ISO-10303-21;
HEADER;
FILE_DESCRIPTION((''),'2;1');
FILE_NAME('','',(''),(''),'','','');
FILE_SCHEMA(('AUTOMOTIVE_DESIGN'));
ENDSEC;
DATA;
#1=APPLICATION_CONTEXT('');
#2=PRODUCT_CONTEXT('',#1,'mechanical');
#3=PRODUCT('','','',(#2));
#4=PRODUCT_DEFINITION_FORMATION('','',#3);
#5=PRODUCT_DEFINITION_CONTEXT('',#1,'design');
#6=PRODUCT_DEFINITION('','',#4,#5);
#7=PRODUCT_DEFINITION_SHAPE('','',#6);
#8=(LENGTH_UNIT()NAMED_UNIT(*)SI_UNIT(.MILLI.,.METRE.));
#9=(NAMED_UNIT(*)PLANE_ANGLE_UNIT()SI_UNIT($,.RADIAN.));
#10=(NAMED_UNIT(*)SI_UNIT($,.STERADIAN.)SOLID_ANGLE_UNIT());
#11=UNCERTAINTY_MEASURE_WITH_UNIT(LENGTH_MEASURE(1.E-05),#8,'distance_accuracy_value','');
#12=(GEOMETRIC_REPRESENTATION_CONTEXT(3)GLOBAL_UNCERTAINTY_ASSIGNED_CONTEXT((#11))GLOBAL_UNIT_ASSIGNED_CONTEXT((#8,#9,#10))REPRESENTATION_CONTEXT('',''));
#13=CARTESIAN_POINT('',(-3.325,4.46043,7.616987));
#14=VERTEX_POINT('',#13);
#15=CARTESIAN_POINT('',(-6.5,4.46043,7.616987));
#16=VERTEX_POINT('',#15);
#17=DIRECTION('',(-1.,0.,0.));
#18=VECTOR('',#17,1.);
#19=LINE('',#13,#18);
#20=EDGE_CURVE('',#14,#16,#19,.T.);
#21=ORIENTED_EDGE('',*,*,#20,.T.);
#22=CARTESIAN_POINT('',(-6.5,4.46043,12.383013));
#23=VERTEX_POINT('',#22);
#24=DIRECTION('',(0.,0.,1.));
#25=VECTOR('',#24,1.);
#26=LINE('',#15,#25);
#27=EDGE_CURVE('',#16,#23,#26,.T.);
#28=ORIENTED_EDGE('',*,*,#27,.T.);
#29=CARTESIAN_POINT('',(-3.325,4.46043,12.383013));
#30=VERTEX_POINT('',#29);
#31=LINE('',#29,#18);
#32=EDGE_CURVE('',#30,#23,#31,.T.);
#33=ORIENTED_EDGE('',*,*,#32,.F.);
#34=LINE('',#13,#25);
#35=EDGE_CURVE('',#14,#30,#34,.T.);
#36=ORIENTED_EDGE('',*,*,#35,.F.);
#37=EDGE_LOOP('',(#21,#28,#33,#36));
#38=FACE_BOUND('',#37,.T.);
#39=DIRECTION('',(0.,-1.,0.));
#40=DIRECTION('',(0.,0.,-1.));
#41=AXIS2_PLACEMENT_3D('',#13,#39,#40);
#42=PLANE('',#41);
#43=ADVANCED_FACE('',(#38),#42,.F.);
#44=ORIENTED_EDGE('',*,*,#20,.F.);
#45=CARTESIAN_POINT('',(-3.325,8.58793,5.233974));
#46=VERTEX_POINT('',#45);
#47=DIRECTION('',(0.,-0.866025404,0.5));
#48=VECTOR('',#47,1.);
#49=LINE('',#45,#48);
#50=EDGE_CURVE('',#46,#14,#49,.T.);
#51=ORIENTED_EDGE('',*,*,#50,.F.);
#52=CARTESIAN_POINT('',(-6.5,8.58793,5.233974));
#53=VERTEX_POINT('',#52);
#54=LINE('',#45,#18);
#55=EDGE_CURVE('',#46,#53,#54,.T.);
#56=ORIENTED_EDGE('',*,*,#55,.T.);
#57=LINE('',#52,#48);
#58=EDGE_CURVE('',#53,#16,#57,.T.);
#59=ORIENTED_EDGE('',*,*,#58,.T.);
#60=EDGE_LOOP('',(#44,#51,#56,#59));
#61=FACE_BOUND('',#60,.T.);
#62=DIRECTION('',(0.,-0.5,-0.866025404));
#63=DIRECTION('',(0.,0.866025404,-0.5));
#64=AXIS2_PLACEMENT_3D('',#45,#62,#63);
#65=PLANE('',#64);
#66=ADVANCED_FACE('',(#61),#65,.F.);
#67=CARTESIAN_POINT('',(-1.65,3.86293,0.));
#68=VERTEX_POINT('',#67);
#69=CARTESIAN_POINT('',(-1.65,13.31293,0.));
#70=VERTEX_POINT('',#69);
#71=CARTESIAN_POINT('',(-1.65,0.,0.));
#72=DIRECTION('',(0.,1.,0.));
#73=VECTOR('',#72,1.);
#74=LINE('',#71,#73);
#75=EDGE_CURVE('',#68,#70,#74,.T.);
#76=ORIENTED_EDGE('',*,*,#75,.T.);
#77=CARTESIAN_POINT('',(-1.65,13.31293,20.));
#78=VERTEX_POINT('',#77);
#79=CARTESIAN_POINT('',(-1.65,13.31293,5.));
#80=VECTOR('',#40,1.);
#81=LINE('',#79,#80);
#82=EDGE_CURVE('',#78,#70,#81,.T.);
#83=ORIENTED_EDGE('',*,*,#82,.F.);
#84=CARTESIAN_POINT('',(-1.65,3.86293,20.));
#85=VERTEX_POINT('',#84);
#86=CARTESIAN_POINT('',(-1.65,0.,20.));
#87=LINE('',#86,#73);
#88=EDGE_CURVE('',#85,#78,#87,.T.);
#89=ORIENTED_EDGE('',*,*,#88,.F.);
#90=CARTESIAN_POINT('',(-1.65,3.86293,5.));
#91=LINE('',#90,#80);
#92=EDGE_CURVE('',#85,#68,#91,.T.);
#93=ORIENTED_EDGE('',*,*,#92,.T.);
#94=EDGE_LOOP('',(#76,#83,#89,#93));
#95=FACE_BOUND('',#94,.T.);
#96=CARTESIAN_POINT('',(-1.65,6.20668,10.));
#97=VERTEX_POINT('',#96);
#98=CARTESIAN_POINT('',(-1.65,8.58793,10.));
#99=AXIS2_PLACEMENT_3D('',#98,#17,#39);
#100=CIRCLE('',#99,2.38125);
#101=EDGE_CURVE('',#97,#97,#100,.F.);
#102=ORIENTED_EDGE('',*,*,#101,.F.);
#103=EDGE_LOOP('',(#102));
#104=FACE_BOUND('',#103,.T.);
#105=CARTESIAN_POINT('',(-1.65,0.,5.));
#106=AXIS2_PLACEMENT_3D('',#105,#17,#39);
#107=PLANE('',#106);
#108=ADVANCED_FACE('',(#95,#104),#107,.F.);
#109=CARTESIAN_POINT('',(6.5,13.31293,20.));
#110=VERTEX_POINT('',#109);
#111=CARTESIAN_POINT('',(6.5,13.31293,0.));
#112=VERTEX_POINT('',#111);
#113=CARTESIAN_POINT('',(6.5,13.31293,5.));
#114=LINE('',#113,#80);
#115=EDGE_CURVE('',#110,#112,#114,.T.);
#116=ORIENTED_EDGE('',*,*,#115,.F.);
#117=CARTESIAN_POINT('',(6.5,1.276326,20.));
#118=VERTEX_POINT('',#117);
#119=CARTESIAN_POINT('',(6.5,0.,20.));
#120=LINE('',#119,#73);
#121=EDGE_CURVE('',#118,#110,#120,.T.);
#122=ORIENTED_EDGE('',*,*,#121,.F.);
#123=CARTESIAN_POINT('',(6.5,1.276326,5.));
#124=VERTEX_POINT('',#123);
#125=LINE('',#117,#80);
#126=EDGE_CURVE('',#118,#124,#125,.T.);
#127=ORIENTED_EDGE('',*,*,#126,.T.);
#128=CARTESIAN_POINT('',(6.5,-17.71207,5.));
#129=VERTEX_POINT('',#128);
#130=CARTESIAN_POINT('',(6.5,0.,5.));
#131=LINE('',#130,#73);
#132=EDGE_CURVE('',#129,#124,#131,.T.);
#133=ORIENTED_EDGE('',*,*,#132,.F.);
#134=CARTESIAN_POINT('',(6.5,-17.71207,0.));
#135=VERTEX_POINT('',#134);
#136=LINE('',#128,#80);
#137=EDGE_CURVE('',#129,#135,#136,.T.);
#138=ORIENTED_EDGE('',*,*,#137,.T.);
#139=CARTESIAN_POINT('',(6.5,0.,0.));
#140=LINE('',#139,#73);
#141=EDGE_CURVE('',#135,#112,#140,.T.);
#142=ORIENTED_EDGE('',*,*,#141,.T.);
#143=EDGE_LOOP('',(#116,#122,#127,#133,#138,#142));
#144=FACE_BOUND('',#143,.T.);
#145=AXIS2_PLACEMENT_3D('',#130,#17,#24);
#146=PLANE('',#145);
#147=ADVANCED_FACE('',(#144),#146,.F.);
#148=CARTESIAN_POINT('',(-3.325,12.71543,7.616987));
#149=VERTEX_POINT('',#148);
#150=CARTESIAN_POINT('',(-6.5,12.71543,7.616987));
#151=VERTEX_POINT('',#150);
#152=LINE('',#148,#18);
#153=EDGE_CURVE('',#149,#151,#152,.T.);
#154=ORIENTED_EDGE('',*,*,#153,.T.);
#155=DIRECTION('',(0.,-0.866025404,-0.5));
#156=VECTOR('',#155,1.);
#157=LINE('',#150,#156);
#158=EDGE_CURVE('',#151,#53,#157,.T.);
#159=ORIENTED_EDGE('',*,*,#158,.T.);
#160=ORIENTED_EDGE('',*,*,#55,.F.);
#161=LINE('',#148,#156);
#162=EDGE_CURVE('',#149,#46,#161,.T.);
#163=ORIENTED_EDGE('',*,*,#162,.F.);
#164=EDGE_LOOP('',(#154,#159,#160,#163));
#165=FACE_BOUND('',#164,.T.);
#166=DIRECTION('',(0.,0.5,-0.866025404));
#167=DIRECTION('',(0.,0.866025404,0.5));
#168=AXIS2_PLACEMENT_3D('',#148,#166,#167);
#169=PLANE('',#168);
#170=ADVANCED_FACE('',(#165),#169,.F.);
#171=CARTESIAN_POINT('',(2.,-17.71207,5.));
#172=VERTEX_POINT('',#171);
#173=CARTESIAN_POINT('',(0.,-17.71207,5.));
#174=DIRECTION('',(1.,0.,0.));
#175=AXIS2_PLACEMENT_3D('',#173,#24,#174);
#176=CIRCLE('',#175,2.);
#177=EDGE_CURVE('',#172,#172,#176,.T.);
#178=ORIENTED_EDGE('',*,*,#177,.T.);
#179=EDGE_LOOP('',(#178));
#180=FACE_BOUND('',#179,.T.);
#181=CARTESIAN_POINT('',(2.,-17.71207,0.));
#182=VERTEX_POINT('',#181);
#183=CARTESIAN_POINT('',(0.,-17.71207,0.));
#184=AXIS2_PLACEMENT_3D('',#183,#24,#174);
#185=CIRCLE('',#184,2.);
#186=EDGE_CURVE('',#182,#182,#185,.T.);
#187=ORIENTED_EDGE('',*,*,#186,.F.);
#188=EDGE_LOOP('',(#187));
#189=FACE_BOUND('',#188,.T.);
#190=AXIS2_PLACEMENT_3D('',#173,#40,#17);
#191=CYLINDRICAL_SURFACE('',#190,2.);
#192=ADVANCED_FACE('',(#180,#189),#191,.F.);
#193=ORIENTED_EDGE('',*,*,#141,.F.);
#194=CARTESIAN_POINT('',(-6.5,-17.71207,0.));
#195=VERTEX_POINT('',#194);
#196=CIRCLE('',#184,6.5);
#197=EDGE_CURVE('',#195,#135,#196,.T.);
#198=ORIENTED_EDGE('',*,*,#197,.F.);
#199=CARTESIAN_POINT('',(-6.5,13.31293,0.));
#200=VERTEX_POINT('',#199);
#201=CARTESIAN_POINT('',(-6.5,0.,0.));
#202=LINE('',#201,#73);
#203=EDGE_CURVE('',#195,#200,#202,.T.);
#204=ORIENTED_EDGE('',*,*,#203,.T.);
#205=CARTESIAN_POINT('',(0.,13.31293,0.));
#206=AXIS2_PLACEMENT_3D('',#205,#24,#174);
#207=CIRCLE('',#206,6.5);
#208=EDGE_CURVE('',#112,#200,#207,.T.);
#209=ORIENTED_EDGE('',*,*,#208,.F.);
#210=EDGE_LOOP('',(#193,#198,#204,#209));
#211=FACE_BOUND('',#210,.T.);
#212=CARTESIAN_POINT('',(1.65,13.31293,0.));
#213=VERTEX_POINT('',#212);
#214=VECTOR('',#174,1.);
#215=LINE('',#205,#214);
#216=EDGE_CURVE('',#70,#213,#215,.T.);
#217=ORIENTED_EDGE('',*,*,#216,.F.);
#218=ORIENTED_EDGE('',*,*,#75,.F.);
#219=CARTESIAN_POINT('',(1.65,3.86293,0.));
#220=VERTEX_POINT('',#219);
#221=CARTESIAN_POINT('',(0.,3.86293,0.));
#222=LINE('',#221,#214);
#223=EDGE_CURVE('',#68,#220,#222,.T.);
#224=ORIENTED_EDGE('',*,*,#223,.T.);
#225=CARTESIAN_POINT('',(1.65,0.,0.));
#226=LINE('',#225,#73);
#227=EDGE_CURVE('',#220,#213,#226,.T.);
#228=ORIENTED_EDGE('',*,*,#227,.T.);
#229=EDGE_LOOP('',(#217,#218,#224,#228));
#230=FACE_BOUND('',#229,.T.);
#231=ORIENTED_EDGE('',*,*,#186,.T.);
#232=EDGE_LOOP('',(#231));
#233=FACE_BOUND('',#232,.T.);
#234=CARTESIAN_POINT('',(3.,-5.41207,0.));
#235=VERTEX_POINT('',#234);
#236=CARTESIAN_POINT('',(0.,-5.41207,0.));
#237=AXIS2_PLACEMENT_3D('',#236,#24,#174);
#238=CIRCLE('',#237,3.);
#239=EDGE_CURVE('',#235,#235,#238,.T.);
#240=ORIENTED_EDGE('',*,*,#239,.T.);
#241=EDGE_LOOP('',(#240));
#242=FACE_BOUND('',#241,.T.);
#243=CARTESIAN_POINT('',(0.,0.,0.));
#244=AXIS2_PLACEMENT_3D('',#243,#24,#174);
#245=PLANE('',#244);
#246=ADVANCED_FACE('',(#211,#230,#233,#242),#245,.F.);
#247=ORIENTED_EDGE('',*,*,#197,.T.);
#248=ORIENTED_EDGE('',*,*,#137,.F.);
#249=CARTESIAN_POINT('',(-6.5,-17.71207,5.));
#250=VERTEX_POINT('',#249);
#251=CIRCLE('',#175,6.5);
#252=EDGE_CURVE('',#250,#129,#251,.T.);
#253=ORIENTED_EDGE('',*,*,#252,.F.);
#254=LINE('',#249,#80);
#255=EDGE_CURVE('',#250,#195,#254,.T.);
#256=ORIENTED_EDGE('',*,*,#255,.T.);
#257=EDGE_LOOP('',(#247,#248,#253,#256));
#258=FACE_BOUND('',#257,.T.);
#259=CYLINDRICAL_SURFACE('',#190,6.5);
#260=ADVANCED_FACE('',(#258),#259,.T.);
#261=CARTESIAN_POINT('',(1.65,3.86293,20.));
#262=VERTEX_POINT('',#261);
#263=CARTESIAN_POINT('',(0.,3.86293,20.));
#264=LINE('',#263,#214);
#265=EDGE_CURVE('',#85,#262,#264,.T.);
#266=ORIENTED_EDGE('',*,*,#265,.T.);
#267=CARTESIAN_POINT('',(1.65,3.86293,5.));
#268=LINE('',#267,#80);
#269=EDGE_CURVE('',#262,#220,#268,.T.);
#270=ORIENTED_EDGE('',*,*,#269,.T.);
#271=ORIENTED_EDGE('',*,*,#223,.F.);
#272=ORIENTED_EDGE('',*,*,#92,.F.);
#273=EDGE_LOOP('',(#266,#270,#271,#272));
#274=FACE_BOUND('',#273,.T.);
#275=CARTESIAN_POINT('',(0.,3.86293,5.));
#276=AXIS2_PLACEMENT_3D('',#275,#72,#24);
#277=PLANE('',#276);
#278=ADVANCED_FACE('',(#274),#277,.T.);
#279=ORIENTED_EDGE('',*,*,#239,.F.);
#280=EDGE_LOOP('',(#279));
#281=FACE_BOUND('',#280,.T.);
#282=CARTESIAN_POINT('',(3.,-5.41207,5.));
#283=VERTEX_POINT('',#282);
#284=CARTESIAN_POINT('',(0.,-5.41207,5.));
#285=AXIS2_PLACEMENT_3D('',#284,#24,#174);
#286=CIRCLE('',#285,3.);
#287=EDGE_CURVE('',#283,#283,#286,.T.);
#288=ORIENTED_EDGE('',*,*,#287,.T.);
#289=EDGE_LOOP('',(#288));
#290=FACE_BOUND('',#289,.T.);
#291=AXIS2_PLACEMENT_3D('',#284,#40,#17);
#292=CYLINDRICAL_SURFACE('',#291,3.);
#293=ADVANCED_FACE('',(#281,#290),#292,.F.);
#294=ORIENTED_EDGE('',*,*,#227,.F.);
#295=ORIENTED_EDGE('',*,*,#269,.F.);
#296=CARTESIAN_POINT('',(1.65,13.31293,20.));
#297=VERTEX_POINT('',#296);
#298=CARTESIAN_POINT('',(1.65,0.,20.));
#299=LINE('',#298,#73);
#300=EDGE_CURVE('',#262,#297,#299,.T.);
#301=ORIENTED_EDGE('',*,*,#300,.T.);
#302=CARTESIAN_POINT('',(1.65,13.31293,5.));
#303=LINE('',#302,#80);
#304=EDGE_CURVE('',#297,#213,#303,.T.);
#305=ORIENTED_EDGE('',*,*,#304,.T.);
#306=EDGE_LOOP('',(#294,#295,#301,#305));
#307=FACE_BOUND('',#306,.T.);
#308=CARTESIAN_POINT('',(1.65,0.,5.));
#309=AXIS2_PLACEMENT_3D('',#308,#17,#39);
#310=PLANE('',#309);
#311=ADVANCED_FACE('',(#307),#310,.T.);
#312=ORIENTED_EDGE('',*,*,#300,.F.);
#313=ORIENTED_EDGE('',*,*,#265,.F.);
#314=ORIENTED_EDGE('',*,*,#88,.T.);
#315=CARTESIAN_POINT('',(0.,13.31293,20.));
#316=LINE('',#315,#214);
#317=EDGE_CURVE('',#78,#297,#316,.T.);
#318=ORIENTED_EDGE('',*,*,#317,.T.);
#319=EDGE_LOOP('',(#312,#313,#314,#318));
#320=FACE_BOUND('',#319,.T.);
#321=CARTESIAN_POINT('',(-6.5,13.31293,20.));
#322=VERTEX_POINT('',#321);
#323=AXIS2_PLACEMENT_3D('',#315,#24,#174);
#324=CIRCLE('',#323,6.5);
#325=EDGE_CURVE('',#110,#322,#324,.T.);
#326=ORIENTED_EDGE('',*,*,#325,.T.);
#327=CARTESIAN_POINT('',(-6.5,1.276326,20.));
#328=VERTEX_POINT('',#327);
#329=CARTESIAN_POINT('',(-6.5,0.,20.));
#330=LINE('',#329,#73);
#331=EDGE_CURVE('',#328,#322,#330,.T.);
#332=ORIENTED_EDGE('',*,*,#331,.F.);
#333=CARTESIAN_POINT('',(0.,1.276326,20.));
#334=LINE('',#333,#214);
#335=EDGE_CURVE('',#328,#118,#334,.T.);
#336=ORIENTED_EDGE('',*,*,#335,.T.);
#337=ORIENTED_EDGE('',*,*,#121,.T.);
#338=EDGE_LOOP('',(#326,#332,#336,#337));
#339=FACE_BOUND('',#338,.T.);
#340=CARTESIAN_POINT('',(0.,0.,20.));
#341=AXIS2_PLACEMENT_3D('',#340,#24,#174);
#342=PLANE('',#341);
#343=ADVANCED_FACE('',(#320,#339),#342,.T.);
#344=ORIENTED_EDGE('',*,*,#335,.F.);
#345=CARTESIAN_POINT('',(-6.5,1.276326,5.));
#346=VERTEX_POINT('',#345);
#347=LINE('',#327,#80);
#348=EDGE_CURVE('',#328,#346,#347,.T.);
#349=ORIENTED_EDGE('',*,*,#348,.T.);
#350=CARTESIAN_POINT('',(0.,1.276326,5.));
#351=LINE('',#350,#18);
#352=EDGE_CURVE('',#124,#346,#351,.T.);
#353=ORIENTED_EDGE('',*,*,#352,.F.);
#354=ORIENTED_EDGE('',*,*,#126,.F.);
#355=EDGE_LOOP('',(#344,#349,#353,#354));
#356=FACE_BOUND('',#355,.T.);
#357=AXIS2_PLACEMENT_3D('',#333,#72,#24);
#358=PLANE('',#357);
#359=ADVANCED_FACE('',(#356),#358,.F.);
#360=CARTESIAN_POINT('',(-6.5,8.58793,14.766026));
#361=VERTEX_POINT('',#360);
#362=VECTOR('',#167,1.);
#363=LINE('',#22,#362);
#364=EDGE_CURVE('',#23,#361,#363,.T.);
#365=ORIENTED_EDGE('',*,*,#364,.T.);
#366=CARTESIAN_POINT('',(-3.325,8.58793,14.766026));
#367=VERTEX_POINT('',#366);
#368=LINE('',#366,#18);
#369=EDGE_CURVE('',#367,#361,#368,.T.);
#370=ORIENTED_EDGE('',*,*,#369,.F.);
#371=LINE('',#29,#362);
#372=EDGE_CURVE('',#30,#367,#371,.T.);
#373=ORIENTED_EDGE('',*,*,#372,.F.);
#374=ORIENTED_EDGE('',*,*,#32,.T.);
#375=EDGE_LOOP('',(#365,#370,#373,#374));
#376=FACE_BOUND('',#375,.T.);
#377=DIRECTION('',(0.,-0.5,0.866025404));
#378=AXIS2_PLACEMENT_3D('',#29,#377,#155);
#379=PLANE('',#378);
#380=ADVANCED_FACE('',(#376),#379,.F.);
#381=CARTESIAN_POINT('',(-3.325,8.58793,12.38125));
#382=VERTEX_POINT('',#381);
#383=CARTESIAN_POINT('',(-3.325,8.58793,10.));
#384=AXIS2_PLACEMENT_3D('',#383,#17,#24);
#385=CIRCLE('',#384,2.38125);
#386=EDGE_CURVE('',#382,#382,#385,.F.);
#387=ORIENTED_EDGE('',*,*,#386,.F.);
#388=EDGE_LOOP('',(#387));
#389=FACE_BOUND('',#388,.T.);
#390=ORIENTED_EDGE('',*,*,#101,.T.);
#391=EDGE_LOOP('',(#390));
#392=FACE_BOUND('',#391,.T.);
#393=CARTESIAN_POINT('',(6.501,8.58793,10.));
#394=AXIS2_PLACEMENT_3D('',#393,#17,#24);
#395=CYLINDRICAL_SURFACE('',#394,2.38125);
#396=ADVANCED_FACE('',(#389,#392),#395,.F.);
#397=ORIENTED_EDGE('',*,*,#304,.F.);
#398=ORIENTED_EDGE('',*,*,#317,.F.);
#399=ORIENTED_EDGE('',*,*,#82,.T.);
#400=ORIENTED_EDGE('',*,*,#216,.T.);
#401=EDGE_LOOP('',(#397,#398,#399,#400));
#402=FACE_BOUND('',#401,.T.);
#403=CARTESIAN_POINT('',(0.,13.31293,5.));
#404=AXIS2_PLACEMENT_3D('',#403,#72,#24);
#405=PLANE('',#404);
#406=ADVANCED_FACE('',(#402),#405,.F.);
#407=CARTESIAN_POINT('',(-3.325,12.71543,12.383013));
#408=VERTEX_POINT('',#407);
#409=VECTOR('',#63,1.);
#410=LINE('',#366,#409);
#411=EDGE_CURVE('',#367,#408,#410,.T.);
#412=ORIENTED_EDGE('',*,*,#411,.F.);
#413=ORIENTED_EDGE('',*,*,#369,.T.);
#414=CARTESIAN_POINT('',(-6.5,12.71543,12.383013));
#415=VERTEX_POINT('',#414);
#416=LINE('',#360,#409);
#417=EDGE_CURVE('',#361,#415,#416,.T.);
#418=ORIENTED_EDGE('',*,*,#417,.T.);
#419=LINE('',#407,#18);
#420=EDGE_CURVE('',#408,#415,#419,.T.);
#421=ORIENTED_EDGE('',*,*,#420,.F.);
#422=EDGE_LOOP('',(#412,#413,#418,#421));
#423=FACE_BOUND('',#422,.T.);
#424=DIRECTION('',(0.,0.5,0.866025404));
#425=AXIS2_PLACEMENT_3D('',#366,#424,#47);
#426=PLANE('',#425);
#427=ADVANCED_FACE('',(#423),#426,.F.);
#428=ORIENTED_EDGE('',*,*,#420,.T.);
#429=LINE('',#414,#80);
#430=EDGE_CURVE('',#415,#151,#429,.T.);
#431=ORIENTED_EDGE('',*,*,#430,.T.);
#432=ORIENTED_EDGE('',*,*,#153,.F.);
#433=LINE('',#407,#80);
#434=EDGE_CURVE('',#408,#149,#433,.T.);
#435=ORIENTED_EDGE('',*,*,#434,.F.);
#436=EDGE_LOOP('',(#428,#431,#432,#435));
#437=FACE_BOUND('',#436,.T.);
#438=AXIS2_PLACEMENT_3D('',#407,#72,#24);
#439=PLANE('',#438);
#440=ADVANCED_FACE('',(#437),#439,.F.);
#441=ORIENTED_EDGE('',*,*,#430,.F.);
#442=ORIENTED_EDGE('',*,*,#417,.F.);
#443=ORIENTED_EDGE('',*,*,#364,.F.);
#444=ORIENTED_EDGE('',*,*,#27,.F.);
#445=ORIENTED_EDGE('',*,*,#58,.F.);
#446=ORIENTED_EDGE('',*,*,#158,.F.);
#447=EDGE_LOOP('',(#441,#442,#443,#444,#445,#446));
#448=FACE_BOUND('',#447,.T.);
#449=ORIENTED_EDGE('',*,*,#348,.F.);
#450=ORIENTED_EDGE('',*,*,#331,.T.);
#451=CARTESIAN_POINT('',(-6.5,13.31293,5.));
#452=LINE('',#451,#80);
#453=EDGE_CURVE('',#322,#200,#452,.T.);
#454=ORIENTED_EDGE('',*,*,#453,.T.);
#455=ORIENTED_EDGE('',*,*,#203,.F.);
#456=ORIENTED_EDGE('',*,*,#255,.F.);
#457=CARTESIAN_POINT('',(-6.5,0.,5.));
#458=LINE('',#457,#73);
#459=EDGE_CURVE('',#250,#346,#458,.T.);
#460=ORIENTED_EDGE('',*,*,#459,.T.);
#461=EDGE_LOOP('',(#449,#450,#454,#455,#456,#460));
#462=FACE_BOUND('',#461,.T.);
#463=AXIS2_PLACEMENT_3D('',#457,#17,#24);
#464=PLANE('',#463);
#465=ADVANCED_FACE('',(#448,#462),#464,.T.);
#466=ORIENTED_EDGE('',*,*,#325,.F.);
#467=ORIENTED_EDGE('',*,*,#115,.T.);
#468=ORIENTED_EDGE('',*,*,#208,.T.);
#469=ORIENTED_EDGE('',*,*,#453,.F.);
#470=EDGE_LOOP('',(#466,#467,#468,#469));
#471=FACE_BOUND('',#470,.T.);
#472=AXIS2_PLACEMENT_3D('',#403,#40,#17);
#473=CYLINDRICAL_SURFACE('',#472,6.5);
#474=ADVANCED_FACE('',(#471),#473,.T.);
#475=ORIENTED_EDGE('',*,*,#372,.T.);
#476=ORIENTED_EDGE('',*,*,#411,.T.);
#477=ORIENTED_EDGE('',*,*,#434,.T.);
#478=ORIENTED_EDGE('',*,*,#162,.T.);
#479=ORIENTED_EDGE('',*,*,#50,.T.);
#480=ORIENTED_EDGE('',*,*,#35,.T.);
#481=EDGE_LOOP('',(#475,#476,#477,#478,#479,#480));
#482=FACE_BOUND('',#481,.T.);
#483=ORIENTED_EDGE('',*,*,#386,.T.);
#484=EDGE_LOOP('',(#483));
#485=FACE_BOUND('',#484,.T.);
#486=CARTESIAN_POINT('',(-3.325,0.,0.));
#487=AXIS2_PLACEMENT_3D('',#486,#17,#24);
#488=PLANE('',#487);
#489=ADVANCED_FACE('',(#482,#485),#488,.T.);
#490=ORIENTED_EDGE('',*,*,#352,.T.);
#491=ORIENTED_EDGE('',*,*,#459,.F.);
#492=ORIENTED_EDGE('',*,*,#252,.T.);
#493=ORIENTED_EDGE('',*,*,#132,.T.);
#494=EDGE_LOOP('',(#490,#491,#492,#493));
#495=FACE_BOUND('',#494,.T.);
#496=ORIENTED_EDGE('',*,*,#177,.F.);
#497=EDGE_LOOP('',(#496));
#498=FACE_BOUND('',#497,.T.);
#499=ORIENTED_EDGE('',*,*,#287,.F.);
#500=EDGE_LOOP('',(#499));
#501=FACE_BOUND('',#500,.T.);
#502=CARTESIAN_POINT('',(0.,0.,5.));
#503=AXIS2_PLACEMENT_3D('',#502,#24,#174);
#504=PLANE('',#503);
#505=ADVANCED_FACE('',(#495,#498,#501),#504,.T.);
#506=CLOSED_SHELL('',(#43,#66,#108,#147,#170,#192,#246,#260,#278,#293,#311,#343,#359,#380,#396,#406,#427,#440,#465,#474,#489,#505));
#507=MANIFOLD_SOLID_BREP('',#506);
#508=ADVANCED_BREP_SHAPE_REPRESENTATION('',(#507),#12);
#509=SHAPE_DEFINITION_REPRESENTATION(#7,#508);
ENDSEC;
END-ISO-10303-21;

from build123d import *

# Parameters (mm, degrees)
SKETCH1_R           = 2
SKETCH1_R_2         = 3
SKETCH1_W           = 3.3
SKETCH1_H           = 9.45
BOSS_EXTRUDE1_DEPTH = 5
SKETCH1_4_W         = 3.3
SKETCH1_4_H         = 9.45
BOSS_EXTRUDE2_DEPTH = 20
CUT_EXTRUDE1_DEPTH  = 3.175
CUT_EXTRUDE2_REACH  = 35.989
SKETCH2_3_R         = 2.38125


with BuildPart() as part:
    # Sketch1 → Boss-Extrude1 (new body)
    with BuildSketch(Plane.XY):
        with BuildLine():
            ThreePointArc((-6.5, -17.71207008), (0, -24.21207008), (6.5, -17.71207008))
            Line((6.5, -17.71207008), (6.5, 13.31292992))
            ThreePointArc((6.5, 13.31292992), (0, 19.81292992), (-6.5, 13.31292992))
            Line((-6.5, 13.31292992), (-6.5, -17.71207008))
        make_face()
        with Locations((0, -17.71207008)):
            Circle(SKETCH1_R, mode=Mode.SUBTRACT)
        with Locations((0, -5.41207008)):
            Circle(SKETCH1_R_2, mode=Mode.SUBTRACT)
        with Locations((0, 8.58792992)):
            Rectangle(SKETCH1_W, SKETCH1_H, mode=Mode.SUBTRACT)
    extrude(amount=BOSS_EXTRUDE1_DEPTH)

    # Sketch1<4> → Boss-Extrude2 (add)
    with BuildSketch(Plane.XY):
        with BuildLine():
            Line((-6.5, 13.31292992), (-6.5, 1.276325687))
            Line((-6.5, 1.276325687), (6.5, 1.276325687))
            Line((6.5, 1.276325687), (6.5, 13.31292992))
            ThreePointArc((6.5, 13.31292992), (0, 19.81292992), (-6.5, 13.31292992))
        make_face()
        with Locations((0, 8.58792992)):
            Rectangle(SKETCH1_4_W, SKETCH1_4_H, mode=Mode.SUBTRACT)
    extrude(amount=BOSS_EXTRUDE2_DEPTH)

    # Sketch2 → Cut-Extrude1 (cut)
    with BuildSketch(Plane.ZY.offset(6.5)):
        Polygon((14.766026472, 8.58792992), (12.383013236, 12.71542992), (7.616986764, 12.71542992), (5.233973528, 8.58792992), (7.616986764, 4.46042992), (12.383013236, 4.46042992), align=None)
    extrude(amount=-CUT_EXTRUDE1_DEPTH, mode=Mode.SUBTRACT)

    # Sketch2<3> → Cut-Extrude2 (cut, up to next)
    with BuildSketch(Plane.ZY.offset(6.5), mode=Mode.PRIVATE) as cut_extrude2_sk1:
        with Locations((10, 8.58792992)):
            Circle(SKETCH2_3_R)
    cut_extrude2_tool1 = extrude(cut_extrude2_sk1.sketch, amount=-CUT_EXTRUDE2_REACH, mode=Mode.PRIVATE) & part.part
    add(cut_extrude2_tool1.solids().sort_by_distance((-6.5, 8.58793, 10))[0], mode=Mode.SUBTRACT)


solid = part.part
